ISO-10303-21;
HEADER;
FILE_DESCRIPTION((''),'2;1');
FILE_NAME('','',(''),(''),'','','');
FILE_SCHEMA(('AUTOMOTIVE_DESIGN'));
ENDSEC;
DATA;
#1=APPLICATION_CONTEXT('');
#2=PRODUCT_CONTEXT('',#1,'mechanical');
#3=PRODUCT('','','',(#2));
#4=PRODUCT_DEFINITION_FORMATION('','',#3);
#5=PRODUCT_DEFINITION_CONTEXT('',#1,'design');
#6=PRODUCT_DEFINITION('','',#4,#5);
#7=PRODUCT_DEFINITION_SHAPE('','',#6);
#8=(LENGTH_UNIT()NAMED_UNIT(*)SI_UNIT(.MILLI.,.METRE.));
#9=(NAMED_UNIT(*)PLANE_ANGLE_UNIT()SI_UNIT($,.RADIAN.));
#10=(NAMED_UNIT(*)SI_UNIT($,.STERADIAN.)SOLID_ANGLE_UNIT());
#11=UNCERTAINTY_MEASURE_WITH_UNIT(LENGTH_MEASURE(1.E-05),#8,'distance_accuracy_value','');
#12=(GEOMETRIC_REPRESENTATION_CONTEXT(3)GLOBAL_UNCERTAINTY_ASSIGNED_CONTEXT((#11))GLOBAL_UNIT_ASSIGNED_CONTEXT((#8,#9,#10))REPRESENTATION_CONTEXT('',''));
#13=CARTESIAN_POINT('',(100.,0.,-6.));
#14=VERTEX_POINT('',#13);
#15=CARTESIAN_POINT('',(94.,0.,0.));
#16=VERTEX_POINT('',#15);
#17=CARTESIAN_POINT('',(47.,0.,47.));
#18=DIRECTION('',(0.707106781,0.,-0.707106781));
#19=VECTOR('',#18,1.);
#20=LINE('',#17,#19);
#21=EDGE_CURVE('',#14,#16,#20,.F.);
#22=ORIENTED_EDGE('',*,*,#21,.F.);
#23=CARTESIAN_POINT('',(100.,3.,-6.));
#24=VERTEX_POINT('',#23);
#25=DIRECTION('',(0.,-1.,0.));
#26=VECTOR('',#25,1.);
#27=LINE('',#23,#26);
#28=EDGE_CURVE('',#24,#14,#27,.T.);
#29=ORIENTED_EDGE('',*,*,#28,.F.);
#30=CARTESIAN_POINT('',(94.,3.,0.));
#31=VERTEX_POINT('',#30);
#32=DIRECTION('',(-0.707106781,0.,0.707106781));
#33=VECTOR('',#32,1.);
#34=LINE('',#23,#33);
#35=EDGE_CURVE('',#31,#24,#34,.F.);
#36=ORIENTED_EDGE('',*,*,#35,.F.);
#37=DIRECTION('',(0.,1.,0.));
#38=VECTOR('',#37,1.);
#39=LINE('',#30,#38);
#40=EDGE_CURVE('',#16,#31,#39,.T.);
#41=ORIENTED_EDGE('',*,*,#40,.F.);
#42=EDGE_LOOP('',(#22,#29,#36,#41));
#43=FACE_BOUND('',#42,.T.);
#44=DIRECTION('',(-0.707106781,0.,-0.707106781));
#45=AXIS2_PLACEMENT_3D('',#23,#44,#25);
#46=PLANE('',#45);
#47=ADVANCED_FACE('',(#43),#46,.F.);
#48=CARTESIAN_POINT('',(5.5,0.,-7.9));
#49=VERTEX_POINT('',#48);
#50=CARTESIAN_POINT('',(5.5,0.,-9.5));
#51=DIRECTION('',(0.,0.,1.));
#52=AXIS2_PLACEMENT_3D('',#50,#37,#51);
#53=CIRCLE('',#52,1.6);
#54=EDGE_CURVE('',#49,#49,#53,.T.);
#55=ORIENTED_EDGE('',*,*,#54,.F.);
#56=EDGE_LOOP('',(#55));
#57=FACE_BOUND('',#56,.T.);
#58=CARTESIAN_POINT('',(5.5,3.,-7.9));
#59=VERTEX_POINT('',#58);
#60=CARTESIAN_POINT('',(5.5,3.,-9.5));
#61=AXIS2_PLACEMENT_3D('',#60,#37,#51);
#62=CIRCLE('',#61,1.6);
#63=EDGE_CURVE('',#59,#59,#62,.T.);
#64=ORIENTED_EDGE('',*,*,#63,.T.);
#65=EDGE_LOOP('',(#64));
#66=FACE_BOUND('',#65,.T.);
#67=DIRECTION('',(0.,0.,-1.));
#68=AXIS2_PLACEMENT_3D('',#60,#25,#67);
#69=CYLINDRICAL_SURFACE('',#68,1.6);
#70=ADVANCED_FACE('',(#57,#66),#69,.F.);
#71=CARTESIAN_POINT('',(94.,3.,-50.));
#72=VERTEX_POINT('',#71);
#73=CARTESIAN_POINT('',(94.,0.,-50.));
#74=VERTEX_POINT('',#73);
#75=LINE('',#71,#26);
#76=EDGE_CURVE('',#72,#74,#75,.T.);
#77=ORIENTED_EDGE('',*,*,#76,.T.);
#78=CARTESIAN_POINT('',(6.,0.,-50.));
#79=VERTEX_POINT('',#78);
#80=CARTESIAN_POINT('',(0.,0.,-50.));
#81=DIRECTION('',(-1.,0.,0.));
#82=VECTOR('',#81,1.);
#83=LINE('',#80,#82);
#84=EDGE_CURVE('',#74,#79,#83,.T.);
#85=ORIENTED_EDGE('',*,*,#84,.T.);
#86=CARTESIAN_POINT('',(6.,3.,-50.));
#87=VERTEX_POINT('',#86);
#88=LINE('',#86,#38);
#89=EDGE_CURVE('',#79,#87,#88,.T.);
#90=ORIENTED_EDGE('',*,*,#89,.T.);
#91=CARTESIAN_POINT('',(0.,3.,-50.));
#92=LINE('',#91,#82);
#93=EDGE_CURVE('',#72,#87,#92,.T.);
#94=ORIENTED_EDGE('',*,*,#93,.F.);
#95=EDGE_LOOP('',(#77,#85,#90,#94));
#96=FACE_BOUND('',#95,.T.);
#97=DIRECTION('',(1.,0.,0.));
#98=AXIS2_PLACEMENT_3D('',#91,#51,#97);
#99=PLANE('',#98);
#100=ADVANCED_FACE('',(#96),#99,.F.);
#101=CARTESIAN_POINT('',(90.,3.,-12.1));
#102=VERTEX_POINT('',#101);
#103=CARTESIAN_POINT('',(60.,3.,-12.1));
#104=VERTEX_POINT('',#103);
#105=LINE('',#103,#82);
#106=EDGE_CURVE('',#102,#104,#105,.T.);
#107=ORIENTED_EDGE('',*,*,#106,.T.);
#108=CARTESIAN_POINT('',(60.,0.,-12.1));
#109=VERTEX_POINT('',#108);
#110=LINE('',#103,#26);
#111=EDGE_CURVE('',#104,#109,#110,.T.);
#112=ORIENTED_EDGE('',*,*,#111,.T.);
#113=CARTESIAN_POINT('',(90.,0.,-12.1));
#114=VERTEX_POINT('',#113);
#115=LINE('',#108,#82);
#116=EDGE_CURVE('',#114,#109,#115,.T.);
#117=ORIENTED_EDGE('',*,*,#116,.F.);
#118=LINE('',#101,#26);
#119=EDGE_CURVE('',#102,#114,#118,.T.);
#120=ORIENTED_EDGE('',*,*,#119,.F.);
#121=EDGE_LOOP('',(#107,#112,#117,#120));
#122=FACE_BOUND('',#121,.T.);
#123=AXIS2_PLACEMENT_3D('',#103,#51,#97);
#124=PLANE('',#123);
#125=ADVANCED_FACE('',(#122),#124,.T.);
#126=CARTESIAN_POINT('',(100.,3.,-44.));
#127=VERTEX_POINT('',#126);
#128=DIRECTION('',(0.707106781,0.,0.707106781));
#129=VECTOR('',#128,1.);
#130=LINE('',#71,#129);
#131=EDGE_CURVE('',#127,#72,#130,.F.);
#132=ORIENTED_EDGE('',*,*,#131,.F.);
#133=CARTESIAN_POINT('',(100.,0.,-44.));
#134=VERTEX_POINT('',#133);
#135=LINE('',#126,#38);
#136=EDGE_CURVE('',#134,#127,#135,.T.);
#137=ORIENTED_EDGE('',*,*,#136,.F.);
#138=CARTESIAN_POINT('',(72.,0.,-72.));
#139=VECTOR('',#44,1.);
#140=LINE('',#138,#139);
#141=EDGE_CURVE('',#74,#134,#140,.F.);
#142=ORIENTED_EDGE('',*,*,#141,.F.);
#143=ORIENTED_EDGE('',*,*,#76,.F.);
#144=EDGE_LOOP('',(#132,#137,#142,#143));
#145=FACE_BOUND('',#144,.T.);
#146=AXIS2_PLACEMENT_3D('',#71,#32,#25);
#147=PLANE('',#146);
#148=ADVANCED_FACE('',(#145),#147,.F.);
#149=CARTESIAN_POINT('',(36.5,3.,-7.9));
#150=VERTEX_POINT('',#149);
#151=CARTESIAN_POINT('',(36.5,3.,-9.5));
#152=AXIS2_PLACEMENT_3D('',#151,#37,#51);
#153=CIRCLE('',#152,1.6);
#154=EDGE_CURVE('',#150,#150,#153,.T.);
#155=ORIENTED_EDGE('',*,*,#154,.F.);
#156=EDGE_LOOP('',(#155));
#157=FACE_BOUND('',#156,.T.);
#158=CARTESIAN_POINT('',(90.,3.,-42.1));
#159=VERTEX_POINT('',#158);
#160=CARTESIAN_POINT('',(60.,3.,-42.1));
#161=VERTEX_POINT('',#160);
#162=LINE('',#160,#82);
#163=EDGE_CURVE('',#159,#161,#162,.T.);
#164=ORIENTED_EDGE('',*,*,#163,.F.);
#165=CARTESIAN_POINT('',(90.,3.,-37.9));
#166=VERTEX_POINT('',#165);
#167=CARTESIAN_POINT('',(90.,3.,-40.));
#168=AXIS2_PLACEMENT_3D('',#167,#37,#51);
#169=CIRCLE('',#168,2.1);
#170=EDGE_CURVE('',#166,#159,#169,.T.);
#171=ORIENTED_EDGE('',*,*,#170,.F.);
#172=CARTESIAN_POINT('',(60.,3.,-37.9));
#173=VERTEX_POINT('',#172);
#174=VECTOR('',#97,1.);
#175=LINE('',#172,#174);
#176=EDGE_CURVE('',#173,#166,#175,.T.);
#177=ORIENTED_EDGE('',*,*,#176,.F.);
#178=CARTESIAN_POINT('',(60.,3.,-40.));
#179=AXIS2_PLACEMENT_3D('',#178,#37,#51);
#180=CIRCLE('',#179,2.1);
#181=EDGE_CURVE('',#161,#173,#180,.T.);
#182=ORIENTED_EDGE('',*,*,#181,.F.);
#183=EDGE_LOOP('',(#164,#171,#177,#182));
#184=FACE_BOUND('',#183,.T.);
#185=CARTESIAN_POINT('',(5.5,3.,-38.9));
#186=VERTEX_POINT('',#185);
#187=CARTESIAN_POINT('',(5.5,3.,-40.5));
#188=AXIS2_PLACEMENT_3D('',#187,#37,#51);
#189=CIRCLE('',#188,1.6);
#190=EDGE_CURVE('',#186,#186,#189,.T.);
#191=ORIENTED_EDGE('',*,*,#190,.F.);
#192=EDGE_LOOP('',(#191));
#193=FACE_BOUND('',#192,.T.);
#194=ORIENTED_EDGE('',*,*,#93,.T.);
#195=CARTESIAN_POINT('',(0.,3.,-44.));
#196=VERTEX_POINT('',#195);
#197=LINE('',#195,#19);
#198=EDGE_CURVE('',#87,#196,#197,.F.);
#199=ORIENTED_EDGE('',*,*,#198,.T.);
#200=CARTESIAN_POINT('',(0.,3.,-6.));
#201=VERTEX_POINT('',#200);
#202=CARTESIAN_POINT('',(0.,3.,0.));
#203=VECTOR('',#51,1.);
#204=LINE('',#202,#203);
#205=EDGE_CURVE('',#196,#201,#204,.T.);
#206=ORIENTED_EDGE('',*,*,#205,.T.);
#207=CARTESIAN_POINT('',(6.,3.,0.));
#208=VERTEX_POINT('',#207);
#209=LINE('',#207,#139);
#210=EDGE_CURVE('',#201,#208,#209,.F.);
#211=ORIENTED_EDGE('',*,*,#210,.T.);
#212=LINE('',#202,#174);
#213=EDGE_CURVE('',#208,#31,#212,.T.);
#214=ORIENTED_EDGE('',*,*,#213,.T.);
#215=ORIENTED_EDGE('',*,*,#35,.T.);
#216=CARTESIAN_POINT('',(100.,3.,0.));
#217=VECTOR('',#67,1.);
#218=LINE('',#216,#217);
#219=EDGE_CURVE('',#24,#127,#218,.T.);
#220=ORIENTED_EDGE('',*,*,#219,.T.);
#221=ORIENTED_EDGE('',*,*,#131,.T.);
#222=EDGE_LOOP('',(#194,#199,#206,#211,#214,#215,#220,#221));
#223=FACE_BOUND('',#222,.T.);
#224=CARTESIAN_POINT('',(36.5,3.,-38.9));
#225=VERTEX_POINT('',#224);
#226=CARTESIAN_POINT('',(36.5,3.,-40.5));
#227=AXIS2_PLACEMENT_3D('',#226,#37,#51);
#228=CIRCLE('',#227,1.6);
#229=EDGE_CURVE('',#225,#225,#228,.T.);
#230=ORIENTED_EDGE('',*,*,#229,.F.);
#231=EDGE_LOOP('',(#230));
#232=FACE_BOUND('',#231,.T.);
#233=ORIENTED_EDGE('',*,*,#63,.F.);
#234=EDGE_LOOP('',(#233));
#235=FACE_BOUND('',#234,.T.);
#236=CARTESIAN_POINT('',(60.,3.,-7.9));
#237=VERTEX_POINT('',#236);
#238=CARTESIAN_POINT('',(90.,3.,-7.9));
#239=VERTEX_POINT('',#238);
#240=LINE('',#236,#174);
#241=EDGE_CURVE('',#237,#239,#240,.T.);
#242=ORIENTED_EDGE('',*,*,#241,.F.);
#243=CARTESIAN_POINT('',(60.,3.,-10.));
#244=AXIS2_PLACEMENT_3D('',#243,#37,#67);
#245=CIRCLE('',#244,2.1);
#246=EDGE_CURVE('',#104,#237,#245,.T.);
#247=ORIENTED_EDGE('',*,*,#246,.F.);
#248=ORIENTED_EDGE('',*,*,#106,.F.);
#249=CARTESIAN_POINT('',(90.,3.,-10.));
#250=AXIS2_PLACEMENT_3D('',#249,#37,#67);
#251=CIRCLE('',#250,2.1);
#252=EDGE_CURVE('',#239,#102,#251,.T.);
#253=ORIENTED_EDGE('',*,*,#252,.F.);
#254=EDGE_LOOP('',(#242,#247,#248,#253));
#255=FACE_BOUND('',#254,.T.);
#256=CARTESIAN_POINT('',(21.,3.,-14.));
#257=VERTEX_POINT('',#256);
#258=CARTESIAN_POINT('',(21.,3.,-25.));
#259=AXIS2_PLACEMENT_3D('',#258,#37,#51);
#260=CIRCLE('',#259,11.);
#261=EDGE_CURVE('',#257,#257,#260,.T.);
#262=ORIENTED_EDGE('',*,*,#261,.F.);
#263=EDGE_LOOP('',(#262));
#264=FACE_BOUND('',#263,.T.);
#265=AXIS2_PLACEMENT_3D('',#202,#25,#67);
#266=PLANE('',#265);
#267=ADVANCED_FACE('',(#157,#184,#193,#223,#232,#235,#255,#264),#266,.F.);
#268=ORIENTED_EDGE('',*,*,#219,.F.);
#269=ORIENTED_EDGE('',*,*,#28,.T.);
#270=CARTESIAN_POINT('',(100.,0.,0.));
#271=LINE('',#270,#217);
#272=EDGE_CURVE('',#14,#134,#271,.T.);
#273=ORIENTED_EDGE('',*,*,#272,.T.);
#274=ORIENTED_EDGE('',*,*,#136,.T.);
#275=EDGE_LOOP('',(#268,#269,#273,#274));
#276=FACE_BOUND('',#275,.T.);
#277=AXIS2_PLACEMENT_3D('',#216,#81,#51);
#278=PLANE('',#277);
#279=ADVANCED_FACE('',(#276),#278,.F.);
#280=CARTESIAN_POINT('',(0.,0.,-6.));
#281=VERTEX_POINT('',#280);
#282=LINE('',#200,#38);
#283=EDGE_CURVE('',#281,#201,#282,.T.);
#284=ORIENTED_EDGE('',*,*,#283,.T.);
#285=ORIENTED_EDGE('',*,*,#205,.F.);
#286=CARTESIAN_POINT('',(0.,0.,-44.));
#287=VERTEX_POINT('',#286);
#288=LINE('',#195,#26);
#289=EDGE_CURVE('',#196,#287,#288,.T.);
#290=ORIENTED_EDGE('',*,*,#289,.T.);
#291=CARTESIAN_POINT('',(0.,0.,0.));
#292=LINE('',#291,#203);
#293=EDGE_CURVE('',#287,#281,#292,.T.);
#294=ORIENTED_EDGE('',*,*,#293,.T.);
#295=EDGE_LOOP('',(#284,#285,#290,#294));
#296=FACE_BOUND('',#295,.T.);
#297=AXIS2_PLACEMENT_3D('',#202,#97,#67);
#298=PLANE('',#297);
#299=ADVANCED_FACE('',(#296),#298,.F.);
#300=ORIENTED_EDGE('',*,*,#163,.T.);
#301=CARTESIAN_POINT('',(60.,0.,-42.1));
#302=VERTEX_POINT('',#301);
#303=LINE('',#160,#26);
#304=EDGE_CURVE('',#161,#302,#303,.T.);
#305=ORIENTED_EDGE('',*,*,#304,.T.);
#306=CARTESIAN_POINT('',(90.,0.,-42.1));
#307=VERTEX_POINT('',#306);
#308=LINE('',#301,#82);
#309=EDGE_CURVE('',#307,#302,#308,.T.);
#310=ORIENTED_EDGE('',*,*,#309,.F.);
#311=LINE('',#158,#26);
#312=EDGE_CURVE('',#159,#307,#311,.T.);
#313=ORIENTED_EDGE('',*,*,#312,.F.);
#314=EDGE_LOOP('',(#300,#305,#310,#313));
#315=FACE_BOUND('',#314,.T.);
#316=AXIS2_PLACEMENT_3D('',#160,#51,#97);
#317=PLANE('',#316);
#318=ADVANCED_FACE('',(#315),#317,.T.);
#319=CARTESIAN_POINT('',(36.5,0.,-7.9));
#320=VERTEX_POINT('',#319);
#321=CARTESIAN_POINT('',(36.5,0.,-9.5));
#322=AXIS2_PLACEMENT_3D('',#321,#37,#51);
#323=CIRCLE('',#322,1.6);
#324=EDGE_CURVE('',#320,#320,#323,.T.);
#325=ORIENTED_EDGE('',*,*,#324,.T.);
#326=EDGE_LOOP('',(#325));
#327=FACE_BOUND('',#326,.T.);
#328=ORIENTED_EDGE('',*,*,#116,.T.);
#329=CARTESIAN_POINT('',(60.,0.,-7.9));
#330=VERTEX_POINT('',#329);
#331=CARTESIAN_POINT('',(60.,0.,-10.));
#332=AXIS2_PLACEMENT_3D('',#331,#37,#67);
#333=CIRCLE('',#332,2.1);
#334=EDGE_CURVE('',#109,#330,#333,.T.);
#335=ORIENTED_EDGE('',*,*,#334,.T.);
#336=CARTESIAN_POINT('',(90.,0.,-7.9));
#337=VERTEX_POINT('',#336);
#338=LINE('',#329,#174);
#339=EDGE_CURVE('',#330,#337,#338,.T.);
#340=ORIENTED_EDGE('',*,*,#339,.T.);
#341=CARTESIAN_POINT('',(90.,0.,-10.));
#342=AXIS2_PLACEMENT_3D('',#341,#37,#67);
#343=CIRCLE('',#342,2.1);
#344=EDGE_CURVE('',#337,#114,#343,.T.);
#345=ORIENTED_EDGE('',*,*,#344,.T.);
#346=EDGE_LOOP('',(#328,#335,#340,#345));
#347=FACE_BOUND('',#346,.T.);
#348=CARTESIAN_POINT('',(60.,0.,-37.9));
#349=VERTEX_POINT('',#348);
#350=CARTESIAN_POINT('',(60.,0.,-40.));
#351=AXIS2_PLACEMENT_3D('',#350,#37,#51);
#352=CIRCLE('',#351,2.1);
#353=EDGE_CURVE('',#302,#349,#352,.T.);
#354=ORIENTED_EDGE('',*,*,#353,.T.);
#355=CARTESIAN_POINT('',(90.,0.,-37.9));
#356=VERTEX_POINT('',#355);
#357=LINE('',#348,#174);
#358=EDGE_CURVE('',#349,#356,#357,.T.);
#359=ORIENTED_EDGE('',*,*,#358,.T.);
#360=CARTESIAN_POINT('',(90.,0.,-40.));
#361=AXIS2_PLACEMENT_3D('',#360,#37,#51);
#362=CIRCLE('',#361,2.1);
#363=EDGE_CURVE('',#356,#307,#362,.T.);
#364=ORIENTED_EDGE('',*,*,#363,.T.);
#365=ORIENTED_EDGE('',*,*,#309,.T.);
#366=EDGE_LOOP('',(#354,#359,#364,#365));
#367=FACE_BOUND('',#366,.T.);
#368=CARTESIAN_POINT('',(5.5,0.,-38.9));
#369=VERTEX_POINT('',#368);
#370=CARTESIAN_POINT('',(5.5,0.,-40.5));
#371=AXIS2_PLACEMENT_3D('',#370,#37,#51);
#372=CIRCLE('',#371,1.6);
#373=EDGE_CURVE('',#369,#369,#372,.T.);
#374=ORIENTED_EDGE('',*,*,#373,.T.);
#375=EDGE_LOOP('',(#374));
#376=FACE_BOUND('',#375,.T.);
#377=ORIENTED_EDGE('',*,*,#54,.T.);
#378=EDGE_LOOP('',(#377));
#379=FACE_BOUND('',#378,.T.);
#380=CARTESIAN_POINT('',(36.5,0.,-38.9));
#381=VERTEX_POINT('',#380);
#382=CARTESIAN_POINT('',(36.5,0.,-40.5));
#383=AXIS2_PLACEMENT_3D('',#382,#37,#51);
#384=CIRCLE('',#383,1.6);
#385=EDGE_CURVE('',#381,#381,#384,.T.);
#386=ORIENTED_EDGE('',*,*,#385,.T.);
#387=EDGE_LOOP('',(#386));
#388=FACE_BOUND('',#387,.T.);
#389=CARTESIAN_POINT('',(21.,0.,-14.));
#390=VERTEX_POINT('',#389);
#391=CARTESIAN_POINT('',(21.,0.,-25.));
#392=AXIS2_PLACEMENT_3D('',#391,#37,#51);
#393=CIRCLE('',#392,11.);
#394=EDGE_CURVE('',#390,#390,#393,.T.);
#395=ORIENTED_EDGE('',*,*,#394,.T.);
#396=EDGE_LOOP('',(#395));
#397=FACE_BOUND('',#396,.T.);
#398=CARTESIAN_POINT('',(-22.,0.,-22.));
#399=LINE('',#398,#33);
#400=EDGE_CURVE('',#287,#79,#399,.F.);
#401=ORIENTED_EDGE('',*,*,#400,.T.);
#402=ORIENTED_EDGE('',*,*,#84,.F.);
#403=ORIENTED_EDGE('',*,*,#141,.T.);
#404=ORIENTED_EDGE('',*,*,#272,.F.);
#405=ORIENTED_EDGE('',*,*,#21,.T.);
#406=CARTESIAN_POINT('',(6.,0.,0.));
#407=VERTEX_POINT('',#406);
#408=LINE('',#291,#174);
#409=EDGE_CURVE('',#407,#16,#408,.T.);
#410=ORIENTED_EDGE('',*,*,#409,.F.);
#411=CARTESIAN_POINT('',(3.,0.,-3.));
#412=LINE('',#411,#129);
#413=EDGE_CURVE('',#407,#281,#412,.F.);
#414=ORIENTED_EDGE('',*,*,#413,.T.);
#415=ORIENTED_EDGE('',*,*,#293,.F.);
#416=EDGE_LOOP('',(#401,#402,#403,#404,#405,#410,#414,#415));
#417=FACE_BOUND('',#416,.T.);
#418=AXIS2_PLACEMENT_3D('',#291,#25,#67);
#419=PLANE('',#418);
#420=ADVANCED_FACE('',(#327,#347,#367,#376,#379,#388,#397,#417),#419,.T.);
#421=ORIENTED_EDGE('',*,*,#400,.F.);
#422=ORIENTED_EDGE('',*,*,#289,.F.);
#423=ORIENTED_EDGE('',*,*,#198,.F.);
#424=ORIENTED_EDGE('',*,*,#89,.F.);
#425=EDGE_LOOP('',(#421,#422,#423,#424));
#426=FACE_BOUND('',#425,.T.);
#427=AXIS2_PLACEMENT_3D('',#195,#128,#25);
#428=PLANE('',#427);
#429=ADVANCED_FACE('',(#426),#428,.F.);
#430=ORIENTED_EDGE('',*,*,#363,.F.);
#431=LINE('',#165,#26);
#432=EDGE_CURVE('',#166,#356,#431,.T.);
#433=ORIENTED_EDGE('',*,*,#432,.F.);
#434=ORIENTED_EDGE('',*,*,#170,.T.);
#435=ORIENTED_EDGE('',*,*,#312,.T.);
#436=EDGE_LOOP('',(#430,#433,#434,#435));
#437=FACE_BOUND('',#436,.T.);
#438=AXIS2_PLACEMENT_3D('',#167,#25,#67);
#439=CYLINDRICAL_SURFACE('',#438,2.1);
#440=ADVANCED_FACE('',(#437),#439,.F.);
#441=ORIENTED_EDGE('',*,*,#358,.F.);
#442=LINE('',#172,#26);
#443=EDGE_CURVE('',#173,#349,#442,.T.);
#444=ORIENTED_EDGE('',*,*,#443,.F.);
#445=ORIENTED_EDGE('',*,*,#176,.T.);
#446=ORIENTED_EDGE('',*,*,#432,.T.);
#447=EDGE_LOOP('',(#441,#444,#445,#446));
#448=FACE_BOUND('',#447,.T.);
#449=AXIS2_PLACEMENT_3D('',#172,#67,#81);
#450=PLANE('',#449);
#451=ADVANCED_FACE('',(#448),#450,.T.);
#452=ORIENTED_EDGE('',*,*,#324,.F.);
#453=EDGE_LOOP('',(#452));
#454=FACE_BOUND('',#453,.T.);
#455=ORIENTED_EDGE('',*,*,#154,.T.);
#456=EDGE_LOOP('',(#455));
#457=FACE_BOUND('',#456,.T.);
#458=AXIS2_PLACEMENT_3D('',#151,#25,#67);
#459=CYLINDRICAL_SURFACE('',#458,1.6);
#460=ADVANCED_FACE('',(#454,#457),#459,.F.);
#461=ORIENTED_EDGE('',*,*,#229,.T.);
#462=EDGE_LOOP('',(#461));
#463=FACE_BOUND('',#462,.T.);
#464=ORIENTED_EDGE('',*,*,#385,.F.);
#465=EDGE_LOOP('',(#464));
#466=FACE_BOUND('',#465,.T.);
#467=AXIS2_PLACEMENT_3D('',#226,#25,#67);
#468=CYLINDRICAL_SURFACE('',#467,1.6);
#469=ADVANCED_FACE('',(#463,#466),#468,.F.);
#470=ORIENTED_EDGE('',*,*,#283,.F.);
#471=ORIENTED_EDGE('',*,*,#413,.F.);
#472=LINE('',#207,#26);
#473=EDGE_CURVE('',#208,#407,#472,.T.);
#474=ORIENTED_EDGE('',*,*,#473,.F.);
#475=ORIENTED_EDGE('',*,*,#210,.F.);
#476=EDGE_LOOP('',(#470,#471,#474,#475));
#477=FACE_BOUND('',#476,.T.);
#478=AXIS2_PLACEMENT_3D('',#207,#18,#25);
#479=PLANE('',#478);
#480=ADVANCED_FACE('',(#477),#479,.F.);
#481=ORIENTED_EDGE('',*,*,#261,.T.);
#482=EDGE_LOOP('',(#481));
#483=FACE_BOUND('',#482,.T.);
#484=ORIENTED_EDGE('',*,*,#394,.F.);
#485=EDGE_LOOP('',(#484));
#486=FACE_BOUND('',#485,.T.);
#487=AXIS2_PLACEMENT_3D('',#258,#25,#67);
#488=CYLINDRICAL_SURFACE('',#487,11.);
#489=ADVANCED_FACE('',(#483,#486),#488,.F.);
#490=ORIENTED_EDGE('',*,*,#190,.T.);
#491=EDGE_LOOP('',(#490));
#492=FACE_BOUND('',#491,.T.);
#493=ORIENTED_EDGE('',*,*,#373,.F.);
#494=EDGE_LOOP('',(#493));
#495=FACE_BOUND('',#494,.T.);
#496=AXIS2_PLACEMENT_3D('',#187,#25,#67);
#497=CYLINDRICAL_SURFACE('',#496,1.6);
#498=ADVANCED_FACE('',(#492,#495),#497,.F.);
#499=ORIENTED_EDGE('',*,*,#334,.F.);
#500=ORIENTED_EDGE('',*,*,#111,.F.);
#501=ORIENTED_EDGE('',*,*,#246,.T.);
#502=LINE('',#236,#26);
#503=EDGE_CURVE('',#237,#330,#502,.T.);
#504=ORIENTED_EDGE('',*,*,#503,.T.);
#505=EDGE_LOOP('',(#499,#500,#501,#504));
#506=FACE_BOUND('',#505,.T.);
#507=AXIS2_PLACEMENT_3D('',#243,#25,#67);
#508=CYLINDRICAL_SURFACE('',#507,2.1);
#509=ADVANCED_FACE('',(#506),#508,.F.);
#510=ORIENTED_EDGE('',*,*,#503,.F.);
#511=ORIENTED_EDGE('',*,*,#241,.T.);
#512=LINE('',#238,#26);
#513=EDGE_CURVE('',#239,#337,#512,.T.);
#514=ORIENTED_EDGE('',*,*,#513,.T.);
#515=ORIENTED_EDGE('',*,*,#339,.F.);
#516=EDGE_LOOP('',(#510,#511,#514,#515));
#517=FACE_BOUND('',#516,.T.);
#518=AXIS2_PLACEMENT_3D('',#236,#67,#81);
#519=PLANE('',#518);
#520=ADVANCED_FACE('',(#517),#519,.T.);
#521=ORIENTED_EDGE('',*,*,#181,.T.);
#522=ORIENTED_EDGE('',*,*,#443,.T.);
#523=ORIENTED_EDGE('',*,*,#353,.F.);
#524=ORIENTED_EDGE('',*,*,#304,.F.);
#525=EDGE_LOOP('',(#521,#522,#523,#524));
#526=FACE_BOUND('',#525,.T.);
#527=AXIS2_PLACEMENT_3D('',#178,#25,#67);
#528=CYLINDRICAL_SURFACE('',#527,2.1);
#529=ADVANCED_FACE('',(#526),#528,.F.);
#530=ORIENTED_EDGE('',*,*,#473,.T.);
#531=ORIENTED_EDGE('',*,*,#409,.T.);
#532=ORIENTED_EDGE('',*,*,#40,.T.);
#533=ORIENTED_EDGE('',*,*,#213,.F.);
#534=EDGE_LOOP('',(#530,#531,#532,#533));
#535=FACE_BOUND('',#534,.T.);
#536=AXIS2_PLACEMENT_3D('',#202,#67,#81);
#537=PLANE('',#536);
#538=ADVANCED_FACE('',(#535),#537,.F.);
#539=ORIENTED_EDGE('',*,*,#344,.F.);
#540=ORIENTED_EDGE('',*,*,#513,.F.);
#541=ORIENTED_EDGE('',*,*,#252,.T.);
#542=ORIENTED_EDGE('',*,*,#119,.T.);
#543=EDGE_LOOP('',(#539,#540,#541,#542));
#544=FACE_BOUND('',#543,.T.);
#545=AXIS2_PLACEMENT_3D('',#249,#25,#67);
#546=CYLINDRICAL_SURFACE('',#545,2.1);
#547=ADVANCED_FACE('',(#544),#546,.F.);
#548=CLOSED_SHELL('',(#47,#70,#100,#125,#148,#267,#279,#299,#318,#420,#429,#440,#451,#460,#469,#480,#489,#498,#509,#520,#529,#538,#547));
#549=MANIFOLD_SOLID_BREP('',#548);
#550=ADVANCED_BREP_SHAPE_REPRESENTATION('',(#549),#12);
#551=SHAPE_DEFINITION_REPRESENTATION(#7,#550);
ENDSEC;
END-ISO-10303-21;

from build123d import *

# Parameters (mm, degrees)
SKETCH_1_W      = 100
SKETCH_1_H      = 50
SKETCH_1_R      = 11
SKETCH_1_R_2    = 1.6
EXTRUDE_1_DEPTH = 3
CHAMFER_1_SIZE  = 6


with BuildPart() as part:
    # 草图1 → 凸台-拉伸1 (new body)
    with BuildSketch(Plane(origin=(0, 0, 0), x_dir=(1, 0, 0), z_dir=(0, 1, 0))):
        with Locations((50, 25)):
            Rectangle(SKETCH_1_W, SKETCH_1_H)
        with Locations((21, 25)):
            Circle(SKETCH_1_R, mode=Mode.SUBTRACT)
        with Locations((5.5, 40.5)):
            Circle(SKETCH_1_R_2, mode=Mode.SUBTRACT)
        with Locations((36.5, 40.5)):
            Circle(SKETCH_1_R_2, mode=Mode.SUBTRACT)
        with Locations((36.5, 9.5)):
            Circle(SKETCH_1_R_2, mode=Mode.SUBTRACT)
        with Locations((5.5, 9.5)):
            Circle(SKETCH_1_R_2, mode=Mode.SUBTRACT)
        with BuildLine():
            Line((60, 42.1), (90, 42.1))
            ThreePointArc((90, 42.1), (92.1, 40), (90, 37.9))
            Line((90, 37.9), (60, 37.9))
            ThreePointArc((60, 37.9), (57.9, 40), (60, 42.1))
        make_face(mode=Mode.SUBTRACT)
        with BuildLine():
            Line((60, 7.9), (90, 7.9))
            ThreePointArc((90, 7.9), (92.1, 10), (90, 12.1))
            Line((90, 12.1), (60, 12.1))
            ThreePointArc((60, 12.1), (57.9, 10), (60, 7.9))
        make_face(mode=Mode.SUBTRACT)
    extrude(amount=EXTRUDE_1_DEPTH)

    # 倒角1
    chamfer_1_edges = [part.edges().sort_by_distance(p)[0] for p in [
        (0, 1.5, -50),
        (100, 1.5, -50),
        (100, 1.5, 0),
        (0, 1.5, 0),
    ]]
    chamfer(chamfer_1_edges, length=CHAMFER_1_SIZE)


solid = part.part
